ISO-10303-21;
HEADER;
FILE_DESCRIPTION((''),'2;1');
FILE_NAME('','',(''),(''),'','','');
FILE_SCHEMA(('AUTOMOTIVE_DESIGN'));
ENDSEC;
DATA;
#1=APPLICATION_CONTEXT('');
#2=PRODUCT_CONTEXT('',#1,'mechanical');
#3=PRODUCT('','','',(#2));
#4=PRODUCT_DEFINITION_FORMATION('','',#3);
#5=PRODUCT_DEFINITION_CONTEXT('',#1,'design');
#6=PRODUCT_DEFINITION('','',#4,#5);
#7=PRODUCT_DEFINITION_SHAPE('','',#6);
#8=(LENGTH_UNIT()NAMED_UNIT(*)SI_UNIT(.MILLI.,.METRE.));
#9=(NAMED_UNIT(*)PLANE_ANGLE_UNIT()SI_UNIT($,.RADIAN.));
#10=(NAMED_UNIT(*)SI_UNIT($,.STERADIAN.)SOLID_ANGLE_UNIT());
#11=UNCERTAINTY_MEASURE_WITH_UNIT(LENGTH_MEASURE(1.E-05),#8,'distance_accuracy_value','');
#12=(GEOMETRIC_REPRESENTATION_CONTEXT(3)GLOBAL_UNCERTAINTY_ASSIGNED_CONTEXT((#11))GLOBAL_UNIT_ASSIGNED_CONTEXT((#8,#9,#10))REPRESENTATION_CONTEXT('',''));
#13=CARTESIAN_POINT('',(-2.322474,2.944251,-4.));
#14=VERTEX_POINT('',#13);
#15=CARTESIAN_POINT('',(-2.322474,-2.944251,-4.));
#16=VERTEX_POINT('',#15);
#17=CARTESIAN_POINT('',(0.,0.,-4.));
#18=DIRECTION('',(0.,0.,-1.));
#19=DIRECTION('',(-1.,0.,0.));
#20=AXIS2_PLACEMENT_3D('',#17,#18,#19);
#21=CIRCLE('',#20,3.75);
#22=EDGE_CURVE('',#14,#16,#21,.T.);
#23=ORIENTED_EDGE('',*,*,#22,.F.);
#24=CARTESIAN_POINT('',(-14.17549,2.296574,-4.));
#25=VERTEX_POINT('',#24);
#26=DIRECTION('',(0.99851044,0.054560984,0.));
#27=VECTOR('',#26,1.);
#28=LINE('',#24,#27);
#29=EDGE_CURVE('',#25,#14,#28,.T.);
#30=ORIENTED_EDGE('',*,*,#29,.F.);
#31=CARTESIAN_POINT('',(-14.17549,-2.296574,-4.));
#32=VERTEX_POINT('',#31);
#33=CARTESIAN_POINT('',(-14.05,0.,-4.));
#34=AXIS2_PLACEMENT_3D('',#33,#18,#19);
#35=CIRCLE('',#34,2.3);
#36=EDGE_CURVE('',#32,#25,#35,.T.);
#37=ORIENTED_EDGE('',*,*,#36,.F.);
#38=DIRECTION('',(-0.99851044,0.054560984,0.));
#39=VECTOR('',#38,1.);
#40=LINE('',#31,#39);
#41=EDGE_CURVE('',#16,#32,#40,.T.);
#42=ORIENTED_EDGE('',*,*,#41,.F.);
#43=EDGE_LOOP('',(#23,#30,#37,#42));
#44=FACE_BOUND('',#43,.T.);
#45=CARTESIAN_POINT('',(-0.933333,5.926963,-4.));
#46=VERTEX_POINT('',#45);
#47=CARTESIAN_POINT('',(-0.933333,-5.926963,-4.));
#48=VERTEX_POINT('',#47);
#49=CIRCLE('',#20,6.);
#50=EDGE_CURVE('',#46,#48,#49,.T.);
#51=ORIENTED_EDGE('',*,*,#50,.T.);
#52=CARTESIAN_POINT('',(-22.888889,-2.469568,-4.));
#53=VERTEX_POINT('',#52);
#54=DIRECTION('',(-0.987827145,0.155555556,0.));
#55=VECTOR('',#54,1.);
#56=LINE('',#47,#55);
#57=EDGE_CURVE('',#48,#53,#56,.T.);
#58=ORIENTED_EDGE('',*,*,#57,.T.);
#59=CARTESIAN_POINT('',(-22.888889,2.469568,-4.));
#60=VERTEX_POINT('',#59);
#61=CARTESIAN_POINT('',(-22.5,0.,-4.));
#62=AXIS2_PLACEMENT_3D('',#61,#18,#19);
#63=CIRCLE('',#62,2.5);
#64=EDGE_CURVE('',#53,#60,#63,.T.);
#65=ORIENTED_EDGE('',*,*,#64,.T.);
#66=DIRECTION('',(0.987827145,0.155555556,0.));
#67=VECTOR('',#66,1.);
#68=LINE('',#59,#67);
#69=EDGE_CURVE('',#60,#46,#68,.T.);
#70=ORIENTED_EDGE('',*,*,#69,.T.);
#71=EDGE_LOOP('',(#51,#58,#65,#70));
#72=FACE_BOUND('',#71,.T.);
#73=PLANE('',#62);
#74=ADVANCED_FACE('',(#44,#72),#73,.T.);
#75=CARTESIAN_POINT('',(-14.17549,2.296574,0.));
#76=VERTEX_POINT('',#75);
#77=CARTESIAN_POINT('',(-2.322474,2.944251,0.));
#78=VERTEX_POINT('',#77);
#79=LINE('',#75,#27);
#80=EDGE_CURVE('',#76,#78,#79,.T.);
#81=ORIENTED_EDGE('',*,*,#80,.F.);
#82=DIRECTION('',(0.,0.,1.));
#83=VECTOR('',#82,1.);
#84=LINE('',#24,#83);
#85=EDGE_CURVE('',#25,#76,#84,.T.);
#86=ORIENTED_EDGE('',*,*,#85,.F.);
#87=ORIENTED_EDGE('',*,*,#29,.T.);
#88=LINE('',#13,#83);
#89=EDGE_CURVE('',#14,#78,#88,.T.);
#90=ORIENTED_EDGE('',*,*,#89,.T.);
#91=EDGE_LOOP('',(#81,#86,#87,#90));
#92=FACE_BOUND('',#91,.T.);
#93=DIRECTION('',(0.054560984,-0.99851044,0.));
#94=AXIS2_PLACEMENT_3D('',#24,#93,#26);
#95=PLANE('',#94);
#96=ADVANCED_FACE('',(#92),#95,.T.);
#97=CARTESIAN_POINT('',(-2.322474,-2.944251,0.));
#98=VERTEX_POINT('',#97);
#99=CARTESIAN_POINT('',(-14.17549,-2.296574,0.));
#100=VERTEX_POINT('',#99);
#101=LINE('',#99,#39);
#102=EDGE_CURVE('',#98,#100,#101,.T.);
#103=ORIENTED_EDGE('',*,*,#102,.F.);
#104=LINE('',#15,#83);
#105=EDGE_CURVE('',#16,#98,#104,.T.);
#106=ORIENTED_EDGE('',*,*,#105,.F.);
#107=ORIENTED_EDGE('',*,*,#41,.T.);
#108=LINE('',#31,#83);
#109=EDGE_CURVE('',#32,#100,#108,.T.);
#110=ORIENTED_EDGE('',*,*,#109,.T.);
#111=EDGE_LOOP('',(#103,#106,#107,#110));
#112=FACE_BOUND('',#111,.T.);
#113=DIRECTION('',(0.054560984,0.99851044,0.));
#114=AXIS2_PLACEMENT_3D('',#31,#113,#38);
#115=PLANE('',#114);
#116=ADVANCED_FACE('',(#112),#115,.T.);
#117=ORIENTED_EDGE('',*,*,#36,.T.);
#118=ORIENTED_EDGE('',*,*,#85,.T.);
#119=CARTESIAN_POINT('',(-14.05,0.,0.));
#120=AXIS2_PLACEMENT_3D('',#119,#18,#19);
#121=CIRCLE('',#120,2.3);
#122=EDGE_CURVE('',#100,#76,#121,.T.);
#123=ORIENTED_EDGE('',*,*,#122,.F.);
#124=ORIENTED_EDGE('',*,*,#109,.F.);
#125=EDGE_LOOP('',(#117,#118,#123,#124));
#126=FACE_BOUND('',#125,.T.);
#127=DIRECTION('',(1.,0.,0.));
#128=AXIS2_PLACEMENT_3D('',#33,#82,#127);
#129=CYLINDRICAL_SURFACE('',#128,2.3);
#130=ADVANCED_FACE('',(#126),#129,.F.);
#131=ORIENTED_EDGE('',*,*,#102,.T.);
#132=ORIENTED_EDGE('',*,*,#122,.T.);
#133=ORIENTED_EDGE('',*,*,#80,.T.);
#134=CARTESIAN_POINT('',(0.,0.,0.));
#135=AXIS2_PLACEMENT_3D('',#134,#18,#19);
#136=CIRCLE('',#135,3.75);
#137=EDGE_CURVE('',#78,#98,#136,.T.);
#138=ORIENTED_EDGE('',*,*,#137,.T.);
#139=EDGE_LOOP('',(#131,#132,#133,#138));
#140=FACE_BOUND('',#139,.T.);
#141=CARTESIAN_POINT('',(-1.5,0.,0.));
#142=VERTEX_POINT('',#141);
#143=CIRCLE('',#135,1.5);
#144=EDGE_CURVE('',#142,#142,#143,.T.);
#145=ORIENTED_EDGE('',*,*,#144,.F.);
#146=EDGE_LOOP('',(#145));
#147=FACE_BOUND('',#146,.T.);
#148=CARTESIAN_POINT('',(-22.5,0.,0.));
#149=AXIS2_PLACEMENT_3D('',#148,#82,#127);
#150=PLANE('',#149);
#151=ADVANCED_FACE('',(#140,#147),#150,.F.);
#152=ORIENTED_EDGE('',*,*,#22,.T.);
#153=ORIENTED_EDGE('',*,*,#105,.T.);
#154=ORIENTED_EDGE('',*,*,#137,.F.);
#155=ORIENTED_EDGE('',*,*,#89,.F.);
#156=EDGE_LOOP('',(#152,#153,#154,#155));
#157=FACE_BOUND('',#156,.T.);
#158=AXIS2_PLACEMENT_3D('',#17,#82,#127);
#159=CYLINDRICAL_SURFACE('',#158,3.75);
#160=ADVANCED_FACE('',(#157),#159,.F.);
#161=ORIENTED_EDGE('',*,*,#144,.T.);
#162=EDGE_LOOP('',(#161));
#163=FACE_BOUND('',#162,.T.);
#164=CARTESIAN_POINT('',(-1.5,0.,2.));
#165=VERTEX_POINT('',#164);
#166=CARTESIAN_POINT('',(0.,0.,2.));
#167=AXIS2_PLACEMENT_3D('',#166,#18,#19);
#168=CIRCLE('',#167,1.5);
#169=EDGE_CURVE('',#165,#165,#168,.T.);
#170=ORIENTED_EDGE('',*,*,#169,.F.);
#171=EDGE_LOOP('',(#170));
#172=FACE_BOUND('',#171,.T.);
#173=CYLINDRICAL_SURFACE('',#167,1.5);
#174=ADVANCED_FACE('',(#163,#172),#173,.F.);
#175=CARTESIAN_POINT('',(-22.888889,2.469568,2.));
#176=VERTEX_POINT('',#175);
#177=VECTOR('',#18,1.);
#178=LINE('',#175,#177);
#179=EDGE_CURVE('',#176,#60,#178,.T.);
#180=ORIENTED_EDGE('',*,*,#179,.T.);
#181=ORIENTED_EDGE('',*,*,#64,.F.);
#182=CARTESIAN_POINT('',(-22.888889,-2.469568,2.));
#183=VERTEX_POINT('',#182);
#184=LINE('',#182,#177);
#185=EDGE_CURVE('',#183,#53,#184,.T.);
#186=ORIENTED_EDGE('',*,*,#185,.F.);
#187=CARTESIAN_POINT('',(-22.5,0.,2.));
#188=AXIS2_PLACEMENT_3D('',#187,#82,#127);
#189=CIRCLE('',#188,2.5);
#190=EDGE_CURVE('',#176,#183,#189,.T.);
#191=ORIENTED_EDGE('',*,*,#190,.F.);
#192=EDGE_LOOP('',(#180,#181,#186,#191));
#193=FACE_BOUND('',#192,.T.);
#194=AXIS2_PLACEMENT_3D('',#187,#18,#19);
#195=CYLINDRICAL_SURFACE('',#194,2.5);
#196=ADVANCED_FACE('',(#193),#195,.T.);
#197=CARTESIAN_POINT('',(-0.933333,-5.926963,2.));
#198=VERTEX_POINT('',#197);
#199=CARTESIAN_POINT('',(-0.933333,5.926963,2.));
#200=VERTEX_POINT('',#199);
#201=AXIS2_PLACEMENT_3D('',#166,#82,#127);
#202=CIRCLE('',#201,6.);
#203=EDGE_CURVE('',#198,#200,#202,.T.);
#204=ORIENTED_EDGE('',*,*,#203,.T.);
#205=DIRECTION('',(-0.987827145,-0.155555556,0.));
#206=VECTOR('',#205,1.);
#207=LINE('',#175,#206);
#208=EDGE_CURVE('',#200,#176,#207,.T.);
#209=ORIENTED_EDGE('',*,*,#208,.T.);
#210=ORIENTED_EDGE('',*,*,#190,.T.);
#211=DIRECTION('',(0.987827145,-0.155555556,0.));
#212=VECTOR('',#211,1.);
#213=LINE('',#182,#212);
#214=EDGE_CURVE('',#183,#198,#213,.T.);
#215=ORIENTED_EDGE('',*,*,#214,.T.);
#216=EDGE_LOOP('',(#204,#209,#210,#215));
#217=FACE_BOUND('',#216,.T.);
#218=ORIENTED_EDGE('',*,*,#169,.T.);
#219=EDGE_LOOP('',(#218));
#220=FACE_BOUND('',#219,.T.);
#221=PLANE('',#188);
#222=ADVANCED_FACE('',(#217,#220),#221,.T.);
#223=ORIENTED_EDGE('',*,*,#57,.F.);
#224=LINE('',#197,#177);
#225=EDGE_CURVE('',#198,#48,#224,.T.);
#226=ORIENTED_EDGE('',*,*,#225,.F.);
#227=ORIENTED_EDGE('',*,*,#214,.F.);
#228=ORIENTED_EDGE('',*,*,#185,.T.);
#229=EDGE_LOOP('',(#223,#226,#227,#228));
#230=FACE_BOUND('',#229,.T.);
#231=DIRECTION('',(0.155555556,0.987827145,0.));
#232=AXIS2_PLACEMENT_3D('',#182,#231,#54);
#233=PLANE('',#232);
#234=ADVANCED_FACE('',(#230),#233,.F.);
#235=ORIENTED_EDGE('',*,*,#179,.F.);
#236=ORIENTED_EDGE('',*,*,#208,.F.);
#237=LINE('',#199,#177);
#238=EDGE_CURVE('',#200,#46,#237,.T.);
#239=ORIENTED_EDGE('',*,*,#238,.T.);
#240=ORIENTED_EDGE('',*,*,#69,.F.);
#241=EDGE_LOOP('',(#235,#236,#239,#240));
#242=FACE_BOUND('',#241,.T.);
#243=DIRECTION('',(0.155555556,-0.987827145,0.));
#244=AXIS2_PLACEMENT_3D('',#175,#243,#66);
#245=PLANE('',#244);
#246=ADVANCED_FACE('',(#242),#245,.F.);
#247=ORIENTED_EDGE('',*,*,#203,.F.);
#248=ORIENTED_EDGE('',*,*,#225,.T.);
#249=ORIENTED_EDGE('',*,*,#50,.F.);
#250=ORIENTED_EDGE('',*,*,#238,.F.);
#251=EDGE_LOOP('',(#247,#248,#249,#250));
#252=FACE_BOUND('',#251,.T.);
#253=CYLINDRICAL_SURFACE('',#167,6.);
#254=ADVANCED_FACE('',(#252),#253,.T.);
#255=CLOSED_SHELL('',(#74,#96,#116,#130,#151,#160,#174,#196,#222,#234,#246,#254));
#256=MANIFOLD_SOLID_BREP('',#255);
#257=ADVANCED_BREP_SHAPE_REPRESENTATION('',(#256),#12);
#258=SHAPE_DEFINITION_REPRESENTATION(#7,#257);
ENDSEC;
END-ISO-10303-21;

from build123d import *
from build123d.topology import SkipClean

# Parameters (mm, degrees)
BOSS_EXTRUDE1_DEPTH = 2
BOSS_EXTRUDE2_START = 4
BOSS_EXTRUDE2_DEPTH = 4
SKETCH3_R           = 1.5
CUT_EXTRUDE1_DEPTH  = 27.019223663


with BuildPart() as part:
    # Sketch1 → Boss-Extrude1 (new body)
    with BuildSketch(Plane.XY):
        with BuildLine():
            Line((-22.888888889, -2.469567863), (-0.933333333, -5.926962872))
            ThreePointArc((-0.933333333, -5.926962872), (6, 0), (-0.933333333, 5.926962872))
            Line((-0.933333333, 5.926962872), (-22.888888889, 2.469567863))
            ThreePointArc((-22.888888889, 2.469567863), (-25, 0), (-22.888888889, -2.469567863))
        make_face()
    extrude(amount=BOSS_EXTRUDE1_DEPTH)

    # Sketch2 → Boss-Extrude2 (add)
    with SkipClean():  # the faces are left unmerged after this step: merging them gives an invalid solid
        with BuildSketch(Plane(origin=(0, 0, 0), x_dir=(-1, 0, 0), z_dir=(0, 0, -1)).offset(BOSS_EXTRUDE2_START)):
            with BuildLine():
                Line((22.888888889, 2.469567863), (0.933333333, 5.926962872))
                ThreePointArc((0.933333333, 5.926962872), (-6, 0), (0.933333333, -5.926962872))
                Line((0.933333333, -5.926962872), (22.888888889, -2.469567863))
                ThreePointArc((22.888888889, -2.469567863), (25, 0), (22.888888889, 2.469567863))
            make_face()
            with BuildLine():
                Line((14.175490262, 2.296574012), (2.322474144, 2.944250983))
                ThreePointArc((2.322474144, 2.944250983), (-3.75, 0), (2.322474144, -2.944250983))
                Line((2.322474144, -2.944250983), (14.175490262, -2.296574012))
                ThreePointArc((14.175490262, -2.296574012), (16.35, 0), (14.175490262, 2.296574012))
            make_face(mode=Mode.SUBTRACT)
        extrude(amount=-BOSS_EXTRUDE2_DEPTH)

    # Sketch3 → Cut-Extrude1 (cut, through all)
    with SkipClean():  # the faces are left unmerged after this step: merging them gives an invalid solid
        with BuildSketch(Plane(origin=(0, 0, 0), x_dir=(-1, 0, 0), z_dir=(0, 0, -1))):
            Circle(SKETCH3_R)
        extrude(amount=-CUT_EXTRUDE1_DEPTH, mode=Mode.SUBTRACT)


solid = part.part
